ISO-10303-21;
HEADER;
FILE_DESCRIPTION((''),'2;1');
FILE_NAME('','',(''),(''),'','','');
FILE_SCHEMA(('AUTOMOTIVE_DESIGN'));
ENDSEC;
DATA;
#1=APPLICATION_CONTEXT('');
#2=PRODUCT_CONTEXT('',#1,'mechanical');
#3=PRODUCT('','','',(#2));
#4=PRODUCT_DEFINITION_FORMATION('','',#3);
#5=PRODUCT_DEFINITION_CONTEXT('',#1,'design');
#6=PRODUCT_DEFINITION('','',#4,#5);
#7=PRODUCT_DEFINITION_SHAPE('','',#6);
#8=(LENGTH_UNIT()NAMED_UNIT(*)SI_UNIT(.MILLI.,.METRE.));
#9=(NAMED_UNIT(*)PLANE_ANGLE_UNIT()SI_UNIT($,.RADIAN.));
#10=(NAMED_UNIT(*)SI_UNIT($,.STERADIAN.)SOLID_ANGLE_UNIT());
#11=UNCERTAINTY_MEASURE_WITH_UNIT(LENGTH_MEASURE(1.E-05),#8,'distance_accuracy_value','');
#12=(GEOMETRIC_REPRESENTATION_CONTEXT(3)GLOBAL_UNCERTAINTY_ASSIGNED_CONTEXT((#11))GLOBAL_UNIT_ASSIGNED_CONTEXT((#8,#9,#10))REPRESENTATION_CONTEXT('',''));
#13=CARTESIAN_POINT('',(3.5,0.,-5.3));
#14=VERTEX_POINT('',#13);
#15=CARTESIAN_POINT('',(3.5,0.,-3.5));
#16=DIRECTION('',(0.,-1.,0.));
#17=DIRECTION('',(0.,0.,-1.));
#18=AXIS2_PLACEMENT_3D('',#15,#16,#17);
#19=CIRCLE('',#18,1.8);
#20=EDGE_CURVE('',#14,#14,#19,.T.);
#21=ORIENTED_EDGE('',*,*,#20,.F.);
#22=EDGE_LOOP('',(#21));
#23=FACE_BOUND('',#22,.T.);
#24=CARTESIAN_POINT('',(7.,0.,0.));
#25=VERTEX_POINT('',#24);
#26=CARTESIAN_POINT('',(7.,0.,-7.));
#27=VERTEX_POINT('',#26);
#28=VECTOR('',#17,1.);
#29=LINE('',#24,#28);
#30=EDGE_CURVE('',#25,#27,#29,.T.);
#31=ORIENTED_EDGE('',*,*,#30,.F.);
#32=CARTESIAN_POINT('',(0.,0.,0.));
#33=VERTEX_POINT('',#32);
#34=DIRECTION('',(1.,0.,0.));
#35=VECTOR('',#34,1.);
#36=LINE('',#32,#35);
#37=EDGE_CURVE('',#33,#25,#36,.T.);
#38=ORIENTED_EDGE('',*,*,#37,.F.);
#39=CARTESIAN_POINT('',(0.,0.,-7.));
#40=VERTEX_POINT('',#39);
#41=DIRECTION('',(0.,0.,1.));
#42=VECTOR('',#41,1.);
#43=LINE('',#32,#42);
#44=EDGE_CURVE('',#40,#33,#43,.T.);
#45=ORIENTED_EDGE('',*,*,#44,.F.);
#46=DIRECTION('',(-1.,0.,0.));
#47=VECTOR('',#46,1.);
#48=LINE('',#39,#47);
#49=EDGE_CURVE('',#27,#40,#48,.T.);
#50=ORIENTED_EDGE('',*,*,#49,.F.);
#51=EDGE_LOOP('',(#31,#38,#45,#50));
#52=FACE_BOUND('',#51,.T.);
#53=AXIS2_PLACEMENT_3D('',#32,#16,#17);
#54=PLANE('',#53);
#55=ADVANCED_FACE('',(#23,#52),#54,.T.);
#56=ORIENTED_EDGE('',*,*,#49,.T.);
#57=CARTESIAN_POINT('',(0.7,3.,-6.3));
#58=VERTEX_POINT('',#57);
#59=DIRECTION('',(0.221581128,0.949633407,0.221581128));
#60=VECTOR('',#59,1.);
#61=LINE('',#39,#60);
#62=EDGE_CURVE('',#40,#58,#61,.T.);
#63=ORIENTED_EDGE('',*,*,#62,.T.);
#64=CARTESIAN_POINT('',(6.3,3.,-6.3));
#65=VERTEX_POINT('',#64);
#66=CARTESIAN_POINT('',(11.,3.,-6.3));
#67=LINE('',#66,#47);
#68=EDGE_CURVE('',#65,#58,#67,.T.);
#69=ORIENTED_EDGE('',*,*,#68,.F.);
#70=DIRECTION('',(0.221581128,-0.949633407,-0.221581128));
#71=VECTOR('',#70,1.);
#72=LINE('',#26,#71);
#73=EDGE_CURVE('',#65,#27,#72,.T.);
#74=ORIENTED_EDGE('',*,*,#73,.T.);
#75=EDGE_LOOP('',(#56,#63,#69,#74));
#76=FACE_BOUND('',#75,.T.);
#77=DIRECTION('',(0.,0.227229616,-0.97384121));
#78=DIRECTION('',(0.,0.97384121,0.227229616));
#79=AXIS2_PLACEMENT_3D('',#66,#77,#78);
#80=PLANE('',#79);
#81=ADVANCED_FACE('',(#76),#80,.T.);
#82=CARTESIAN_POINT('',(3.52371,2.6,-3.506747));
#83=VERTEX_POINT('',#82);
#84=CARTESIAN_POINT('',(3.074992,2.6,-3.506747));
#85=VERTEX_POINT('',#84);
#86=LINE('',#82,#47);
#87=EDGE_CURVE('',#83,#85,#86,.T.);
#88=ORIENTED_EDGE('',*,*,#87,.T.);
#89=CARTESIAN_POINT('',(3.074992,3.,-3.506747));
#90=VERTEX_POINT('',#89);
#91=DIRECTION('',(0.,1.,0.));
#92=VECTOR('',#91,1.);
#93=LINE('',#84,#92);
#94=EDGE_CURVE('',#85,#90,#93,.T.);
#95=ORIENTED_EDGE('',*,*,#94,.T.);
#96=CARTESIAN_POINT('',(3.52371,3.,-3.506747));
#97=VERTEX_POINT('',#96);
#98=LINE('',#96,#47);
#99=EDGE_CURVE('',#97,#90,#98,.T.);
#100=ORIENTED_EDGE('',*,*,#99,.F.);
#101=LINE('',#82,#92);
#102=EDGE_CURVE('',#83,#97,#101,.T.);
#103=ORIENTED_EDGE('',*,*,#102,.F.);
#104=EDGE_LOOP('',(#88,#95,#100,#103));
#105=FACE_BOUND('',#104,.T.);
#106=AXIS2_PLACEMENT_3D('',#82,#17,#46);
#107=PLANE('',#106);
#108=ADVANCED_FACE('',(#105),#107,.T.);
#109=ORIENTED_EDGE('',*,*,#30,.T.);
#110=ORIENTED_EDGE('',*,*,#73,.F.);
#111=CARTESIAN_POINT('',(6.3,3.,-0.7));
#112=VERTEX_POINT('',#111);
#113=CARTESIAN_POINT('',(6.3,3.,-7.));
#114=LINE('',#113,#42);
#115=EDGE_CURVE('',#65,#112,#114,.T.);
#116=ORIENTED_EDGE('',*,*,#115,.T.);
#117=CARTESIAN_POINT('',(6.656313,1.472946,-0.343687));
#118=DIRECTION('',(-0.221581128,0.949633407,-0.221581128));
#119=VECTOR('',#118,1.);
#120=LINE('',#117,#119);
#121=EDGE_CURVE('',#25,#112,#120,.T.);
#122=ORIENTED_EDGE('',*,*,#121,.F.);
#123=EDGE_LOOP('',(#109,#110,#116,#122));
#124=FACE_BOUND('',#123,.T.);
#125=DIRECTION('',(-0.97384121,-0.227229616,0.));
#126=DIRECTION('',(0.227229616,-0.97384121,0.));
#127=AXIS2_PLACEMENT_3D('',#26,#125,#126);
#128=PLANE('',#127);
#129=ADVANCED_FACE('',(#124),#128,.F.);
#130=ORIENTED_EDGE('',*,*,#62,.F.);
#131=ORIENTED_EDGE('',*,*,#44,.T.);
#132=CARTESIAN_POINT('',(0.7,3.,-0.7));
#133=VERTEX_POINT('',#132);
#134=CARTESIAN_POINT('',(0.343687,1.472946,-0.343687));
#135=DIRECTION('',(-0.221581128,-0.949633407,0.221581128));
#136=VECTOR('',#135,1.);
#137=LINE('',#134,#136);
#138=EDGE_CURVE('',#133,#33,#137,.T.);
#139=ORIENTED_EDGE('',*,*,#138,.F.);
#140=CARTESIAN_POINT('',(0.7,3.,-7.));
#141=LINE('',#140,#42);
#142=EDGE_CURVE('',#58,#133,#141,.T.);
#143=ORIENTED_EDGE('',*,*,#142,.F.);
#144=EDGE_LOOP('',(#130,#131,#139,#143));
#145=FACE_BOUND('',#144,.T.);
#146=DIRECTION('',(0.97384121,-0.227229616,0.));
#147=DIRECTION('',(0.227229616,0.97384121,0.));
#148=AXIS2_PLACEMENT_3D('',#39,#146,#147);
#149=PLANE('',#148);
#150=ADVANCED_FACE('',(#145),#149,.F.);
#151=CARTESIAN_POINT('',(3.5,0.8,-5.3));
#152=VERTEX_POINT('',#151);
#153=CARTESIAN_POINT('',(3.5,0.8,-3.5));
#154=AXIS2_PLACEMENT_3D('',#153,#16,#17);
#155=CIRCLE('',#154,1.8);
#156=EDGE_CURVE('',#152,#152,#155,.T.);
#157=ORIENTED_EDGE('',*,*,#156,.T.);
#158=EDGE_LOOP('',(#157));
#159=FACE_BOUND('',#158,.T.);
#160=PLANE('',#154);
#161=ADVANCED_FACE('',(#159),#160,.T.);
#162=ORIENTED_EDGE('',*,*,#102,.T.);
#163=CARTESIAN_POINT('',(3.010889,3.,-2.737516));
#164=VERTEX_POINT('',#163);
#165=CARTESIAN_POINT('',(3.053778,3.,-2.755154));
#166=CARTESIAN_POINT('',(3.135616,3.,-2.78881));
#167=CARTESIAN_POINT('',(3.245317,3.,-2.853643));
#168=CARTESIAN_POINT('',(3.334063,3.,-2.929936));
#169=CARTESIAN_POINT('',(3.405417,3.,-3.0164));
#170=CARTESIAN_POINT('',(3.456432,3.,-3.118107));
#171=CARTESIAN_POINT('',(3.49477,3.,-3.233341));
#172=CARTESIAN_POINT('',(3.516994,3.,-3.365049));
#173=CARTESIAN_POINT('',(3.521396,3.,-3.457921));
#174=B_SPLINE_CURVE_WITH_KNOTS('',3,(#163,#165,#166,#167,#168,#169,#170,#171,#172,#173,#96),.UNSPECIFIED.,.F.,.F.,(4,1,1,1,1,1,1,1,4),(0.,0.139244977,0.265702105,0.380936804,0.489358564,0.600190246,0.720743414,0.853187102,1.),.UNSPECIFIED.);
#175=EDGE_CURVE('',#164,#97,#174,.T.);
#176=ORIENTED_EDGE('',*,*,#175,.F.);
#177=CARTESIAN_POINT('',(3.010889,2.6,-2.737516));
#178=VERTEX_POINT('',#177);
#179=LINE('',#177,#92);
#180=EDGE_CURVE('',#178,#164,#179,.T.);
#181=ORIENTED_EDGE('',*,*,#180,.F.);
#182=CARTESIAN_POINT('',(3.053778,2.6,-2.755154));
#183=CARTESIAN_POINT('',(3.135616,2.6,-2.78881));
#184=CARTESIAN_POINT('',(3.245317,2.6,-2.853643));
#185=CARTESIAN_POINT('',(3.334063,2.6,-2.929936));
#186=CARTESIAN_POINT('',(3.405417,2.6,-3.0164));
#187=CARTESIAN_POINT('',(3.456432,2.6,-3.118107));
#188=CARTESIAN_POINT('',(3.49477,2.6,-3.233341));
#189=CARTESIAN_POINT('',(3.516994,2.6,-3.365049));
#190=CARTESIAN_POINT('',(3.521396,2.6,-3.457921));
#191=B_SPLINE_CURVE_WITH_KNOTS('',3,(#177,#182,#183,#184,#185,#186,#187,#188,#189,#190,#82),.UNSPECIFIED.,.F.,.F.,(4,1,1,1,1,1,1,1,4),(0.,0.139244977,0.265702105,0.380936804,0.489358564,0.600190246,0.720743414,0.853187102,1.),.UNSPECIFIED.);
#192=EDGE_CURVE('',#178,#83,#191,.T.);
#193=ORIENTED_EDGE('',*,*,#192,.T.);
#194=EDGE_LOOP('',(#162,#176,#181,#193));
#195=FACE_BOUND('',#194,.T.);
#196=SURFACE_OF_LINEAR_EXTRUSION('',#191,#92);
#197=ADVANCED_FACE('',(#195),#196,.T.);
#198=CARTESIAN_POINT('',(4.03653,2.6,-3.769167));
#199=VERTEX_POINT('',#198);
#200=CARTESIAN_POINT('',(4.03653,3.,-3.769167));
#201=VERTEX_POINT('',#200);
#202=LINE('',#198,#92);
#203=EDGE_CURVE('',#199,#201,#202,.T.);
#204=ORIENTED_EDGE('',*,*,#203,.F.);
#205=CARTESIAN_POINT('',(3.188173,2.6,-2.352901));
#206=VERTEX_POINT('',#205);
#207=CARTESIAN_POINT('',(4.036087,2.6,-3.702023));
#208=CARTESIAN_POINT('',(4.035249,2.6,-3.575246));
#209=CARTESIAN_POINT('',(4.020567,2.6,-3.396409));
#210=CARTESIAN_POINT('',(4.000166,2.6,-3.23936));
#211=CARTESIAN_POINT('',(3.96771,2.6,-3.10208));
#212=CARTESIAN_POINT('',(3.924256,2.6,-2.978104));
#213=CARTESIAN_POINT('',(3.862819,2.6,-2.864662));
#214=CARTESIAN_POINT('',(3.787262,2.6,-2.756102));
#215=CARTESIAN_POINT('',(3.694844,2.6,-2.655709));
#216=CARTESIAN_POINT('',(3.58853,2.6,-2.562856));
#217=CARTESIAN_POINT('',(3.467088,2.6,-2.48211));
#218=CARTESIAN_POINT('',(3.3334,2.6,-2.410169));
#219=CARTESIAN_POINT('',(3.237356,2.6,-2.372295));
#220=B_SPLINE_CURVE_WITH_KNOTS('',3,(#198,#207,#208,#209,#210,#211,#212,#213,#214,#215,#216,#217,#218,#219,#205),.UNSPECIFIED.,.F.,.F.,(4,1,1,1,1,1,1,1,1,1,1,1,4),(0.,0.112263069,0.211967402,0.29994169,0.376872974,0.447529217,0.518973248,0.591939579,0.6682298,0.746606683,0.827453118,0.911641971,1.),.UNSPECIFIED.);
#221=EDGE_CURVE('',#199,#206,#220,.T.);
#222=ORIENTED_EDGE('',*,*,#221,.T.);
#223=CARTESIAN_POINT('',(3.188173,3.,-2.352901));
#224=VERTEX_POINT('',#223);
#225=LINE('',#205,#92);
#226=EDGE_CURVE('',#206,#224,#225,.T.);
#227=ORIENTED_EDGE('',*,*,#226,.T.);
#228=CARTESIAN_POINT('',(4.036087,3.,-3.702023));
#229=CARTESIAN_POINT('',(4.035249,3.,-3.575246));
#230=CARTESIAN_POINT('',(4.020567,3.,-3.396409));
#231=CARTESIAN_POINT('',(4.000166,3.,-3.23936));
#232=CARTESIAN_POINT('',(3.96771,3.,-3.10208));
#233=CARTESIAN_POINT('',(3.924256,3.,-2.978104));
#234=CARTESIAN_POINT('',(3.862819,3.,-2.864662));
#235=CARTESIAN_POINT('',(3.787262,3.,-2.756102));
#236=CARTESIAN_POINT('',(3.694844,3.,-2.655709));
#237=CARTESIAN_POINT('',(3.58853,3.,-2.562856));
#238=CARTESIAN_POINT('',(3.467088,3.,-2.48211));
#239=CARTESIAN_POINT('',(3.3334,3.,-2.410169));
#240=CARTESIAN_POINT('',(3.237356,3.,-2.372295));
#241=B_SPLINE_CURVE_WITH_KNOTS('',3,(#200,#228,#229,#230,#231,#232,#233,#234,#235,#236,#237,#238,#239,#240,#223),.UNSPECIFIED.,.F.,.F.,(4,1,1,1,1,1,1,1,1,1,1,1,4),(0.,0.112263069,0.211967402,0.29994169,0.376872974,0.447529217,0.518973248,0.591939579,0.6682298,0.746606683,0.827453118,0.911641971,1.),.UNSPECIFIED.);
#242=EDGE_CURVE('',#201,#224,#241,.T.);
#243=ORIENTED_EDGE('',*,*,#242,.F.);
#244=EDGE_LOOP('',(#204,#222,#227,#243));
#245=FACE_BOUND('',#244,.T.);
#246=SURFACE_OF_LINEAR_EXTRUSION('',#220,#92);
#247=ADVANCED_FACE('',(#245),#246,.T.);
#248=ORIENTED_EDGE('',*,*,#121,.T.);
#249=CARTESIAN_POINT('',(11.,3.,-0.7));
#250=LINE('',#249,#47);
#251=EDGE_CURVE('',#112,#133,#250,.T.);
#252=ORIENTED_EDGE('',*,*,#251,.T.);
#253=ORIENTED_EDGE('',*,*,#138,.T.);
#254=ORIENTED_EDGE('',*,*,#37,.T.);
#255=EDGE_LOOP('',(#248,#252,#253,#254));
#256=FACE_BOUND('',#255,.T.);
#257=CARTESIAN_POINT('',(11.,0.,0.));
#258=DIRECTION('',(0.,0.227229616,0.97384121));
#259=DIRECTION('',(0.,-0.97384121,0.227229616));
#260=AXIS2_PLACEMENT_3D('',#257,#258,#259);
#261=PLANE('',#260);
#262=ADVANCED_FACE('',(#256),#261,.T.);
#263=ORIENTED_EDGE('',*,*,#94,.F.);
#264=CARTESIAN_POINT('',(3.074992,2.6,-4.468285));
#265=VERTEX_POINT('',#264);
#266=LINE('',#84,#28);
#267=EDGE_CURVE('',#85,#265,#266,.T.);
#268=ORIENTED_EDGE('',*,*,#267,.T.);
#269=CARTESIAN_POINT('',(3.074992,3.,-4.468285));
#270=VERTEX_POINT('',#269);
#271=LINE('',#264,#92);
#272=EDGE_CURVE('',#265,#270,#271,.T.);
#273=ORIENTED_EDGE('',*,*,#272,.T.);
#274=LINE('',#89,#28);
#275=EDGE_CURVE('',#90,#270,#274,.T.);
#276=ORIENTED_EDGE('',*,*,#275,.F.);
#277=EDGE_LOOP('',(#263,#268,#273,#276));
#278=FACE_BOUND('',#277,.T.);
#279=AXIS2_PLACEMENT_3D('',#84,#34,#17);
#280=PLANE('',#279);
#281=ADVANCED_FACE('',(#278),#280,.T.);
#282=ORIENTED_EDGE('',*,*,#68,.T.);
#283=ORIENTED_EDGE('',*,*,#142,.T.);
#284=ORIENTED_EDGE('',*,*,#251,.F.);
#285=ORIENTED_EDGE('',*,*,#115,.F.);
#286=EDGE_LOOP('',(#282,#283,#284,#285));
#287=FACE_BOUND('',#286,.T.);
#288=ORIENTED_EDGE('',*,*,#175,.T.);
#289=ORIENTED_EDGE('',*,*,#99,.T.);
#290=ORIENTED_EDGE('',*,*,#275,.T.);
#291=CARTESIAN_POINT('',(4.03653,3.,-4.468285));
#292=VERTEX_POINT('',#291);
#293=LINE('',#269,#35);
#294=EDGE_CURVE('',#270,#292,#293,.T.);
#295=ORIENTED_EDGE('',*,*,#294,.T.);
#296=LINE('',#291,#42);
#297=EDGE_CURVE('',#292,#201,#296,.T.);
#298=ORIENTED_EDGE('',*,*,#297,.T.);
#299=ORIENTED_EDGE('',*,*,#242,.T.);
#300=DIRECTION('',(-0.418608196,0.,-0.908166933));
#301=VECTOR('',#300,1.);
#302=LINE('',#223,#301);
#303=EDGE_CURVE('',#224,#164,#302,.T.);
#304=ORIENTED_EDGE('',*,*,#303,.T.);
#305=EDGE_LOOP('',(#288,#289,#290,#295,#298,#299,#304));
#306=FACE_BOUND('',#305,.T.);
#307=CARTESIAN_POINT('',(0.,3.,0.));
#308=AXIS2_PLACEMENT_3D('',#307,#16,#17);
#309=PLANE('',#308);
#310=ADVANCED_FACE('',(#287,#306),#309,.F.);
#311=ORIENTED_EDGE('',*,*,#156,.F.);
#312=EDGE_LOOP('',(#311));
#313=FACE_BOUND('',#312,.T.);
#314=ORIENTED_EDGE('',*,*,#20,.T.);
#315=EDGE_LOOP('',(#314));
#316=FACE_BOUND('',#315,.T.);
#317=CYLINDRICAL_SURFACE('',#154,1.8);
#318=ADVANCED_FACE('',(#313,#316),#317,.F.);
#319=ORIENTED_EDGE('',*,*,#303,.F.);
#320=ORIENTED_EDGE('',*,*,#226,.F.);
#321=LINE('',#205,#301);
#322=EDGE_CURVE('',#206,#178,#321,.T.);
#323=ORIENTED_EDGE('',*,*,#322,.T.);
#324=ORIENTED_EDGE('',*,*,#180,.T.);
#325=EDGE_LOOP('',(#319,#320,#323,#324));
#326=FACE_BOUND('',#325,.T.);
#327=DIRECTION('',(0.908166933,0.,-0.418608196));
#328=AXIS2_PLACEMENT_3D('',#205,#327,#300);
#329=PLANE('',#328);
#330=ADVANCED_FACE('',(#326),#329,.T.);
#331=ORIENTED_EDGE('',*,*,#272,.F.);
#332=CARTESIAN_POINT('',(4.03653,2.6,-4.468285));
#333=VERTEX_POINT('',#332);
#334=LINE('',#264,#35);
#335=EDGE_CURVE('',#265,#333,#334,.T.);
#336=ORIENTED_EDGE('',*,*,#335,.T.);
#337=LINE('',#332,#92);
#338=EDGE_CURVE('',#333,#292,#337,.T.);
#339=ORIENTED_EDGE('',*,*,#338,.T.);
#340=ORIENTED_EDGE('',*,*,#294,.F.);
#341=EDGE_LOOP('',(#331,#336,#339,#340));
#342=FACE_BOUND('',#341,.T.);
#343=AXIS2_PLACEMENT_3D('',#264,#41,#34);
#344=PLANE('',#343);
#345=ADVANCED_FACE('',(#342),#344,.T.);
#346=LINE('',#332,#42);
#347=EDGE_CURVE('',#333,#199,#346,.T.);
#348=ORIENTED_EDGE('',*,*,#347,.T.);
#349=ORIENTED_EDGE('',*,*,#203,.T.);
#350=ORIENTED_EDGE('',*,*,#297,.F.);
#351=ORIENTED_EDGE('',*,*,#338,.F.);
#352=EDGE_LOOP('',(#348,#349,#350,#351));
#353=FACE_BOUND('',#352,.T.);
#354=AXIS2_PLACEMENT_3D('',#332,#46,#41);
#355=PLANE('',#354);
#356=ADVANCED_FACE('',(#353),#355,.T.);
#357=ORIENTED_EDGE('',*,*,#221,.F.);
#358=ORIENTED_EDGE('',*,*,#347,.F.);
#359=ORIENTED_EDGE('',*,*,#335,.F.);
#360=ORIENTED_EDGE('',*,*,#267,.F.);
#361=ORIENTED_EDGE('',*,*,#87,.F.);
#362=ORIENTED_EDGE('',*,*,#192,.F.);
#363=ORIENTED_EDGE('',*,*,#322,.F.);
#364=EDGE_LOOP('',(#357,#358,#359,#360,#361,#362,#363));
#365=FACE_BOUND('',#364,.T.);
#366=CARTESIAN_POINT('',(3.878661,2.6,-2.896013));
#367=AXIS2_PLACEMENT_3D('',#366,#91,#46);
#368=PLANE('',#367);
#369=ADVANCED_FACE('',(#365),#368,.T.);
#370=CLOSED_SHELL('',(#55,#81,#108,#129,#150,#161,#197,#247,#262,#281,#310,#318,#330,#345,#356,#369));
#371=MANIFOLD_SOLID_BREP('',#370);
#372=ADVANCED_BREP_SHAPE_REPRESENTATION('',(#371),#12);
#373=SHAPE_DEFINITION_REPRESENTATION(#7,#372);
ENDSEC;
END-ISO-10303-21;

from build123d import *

# Parameters (mm, degrees)
SKETCH1_W           = 7
SKETCH1_H           = 7
BOSS_EXTRUDE1_DEPTH = 3
CUT_EXTRUDE1_DEPTH  = 7
CUT_EXTRUDE2_DEPTH  = 11
SKETCH4_R           = 1.8
CUT_EXTRUDE3_DEPTH  = 0.8
CUT_EXTRUDE4_DEPTH  = 0.4


with BuildPart() as part:
    # Sketch1 → Boss-Extrude1 (new body)
    with BuildSketch(Plane(origin=(0, 0, 0), x_dir=(1, 0, 0), z_dir=(0, 1, 0))):
        with Locations((3.5, 3.5)):
            Rectangle(SKETCH1_W, SKETCH1_H)
    extrude(amount=BOSS_EXTRUDE1_DEPTH)

    # Sketch2 → Cut-Extrude1 (cut)
    with BuildSketch(Plane.XY):
        Polygon((0, 0), (0.7, 3), (0, 3), align=None)
        Polygon((7, 0), (6.3, 3), (7, 3), align=None)
    extrude(amount=-CUT_EXTRUDE1_DEPTH, mode=Mode.SUBTRACT)

    # Sketch3 → Cut-Extrude2 (cut)
    with BuildSketch(Plane(origin=(0, 0, 0), x_dir=(0, 0, -1), z_dir=(1, 0, 0))):
        Polygon((0, 0), (0.7, 3), (0, 3), align=None)
        Polygon((7, 3), (6.3, 3), (7, 0), align=None)
    extrude(amount=CUT_EXTRUDE2_DEPTH, mode=Mode.SUBTRACT)

    # Sketch4 → Cut-Extrude3 (cut)
    with BuildSketch(Plane.XZ):
        with Locations(Location((3.5, -3.5, 0), (0, 0, 270))):
            Circle(SKETCH4_R)
    extrude(amount=-CUT_EXTRUDE3_DEPTH, mode=Mode.SUBTRACT)

    # Sketch5 → Cut-Extrude4 (cut)
    with BuildSketch(Plane(origin=(0, 3, 0), x_dir=(1, 0, 0), z_dir=(0, 1, 0))):
        with BuildLine():
            Line((3.074992012, 4.468285429), (4.036530474, 4.468285429))
            Line((4.036530474, 4.468285429), (4.036530474, 3.769166839))
            add(Edge.make_bspline(
                [(4.036530474, 3.769166839), (4.036086851, 3.702022613), (4.035249234, 3.575245505), (4.020566764, 3.39640898), (4.000165605, 3.239359877), (3.967710391, 3.102079519), (3.924256019, 2.978103986), (3.862818552, 2.864662172), (3.787262222, 2.756102323), (3.694844376, 2.655709349), (3.588530384, 2.562855929), (3.467088334, 2.482109847), (3.333400229, 2.410169074), (3.237355705, 2.372295276), (3.188173102, 2.352900814)],
                knots=[0, 0, 0, 0, 1.347156832, 2.543608823, 3.599300285, 4.522475688, 5.370350604, 6.227678973, 7.103274953, 8.018757603, 8.959280198, 9.929437417, 10.939703653, 12, 12, 12, 12], degree=3))
            Line((3.188173102, 2.352900814), (3.010889448, 2.737516198))
            add(Edge.make_bspline(
                [(3.010889448, 2.737516198), (3.053777828, 2.755154018), (3.135615846, 2.78880985), (3.245316967, 2.853643094), (3.334062536, 2.929935998), (3.405416723, 3.016399576), (3.45643151, 3.118107137), (3.494770079, 3.233341119), (3.516994248, 3.365049182), (3.521395894, 3.457921451), (3.523709961, 3.506746968)],
                knots=[0, 0, 0, 0, 1.113959817, 2.125616841, 3.047494432, 3.914868512, 4.801521967, 5.765947312, 6.825496818, 8, 8, 8, 8], degree=3))
            Line((3.523709961, 3.506746968), (3.074992012, 3.506746968))
            Line((3.074992012, 3.506746968), (3.074992012, 4.468285429))
        make_face()
    extrude(amount=-CUT_EXTRUDE4_DEPTH, mode=Mode.SUBTRACT)


solid = part.part
